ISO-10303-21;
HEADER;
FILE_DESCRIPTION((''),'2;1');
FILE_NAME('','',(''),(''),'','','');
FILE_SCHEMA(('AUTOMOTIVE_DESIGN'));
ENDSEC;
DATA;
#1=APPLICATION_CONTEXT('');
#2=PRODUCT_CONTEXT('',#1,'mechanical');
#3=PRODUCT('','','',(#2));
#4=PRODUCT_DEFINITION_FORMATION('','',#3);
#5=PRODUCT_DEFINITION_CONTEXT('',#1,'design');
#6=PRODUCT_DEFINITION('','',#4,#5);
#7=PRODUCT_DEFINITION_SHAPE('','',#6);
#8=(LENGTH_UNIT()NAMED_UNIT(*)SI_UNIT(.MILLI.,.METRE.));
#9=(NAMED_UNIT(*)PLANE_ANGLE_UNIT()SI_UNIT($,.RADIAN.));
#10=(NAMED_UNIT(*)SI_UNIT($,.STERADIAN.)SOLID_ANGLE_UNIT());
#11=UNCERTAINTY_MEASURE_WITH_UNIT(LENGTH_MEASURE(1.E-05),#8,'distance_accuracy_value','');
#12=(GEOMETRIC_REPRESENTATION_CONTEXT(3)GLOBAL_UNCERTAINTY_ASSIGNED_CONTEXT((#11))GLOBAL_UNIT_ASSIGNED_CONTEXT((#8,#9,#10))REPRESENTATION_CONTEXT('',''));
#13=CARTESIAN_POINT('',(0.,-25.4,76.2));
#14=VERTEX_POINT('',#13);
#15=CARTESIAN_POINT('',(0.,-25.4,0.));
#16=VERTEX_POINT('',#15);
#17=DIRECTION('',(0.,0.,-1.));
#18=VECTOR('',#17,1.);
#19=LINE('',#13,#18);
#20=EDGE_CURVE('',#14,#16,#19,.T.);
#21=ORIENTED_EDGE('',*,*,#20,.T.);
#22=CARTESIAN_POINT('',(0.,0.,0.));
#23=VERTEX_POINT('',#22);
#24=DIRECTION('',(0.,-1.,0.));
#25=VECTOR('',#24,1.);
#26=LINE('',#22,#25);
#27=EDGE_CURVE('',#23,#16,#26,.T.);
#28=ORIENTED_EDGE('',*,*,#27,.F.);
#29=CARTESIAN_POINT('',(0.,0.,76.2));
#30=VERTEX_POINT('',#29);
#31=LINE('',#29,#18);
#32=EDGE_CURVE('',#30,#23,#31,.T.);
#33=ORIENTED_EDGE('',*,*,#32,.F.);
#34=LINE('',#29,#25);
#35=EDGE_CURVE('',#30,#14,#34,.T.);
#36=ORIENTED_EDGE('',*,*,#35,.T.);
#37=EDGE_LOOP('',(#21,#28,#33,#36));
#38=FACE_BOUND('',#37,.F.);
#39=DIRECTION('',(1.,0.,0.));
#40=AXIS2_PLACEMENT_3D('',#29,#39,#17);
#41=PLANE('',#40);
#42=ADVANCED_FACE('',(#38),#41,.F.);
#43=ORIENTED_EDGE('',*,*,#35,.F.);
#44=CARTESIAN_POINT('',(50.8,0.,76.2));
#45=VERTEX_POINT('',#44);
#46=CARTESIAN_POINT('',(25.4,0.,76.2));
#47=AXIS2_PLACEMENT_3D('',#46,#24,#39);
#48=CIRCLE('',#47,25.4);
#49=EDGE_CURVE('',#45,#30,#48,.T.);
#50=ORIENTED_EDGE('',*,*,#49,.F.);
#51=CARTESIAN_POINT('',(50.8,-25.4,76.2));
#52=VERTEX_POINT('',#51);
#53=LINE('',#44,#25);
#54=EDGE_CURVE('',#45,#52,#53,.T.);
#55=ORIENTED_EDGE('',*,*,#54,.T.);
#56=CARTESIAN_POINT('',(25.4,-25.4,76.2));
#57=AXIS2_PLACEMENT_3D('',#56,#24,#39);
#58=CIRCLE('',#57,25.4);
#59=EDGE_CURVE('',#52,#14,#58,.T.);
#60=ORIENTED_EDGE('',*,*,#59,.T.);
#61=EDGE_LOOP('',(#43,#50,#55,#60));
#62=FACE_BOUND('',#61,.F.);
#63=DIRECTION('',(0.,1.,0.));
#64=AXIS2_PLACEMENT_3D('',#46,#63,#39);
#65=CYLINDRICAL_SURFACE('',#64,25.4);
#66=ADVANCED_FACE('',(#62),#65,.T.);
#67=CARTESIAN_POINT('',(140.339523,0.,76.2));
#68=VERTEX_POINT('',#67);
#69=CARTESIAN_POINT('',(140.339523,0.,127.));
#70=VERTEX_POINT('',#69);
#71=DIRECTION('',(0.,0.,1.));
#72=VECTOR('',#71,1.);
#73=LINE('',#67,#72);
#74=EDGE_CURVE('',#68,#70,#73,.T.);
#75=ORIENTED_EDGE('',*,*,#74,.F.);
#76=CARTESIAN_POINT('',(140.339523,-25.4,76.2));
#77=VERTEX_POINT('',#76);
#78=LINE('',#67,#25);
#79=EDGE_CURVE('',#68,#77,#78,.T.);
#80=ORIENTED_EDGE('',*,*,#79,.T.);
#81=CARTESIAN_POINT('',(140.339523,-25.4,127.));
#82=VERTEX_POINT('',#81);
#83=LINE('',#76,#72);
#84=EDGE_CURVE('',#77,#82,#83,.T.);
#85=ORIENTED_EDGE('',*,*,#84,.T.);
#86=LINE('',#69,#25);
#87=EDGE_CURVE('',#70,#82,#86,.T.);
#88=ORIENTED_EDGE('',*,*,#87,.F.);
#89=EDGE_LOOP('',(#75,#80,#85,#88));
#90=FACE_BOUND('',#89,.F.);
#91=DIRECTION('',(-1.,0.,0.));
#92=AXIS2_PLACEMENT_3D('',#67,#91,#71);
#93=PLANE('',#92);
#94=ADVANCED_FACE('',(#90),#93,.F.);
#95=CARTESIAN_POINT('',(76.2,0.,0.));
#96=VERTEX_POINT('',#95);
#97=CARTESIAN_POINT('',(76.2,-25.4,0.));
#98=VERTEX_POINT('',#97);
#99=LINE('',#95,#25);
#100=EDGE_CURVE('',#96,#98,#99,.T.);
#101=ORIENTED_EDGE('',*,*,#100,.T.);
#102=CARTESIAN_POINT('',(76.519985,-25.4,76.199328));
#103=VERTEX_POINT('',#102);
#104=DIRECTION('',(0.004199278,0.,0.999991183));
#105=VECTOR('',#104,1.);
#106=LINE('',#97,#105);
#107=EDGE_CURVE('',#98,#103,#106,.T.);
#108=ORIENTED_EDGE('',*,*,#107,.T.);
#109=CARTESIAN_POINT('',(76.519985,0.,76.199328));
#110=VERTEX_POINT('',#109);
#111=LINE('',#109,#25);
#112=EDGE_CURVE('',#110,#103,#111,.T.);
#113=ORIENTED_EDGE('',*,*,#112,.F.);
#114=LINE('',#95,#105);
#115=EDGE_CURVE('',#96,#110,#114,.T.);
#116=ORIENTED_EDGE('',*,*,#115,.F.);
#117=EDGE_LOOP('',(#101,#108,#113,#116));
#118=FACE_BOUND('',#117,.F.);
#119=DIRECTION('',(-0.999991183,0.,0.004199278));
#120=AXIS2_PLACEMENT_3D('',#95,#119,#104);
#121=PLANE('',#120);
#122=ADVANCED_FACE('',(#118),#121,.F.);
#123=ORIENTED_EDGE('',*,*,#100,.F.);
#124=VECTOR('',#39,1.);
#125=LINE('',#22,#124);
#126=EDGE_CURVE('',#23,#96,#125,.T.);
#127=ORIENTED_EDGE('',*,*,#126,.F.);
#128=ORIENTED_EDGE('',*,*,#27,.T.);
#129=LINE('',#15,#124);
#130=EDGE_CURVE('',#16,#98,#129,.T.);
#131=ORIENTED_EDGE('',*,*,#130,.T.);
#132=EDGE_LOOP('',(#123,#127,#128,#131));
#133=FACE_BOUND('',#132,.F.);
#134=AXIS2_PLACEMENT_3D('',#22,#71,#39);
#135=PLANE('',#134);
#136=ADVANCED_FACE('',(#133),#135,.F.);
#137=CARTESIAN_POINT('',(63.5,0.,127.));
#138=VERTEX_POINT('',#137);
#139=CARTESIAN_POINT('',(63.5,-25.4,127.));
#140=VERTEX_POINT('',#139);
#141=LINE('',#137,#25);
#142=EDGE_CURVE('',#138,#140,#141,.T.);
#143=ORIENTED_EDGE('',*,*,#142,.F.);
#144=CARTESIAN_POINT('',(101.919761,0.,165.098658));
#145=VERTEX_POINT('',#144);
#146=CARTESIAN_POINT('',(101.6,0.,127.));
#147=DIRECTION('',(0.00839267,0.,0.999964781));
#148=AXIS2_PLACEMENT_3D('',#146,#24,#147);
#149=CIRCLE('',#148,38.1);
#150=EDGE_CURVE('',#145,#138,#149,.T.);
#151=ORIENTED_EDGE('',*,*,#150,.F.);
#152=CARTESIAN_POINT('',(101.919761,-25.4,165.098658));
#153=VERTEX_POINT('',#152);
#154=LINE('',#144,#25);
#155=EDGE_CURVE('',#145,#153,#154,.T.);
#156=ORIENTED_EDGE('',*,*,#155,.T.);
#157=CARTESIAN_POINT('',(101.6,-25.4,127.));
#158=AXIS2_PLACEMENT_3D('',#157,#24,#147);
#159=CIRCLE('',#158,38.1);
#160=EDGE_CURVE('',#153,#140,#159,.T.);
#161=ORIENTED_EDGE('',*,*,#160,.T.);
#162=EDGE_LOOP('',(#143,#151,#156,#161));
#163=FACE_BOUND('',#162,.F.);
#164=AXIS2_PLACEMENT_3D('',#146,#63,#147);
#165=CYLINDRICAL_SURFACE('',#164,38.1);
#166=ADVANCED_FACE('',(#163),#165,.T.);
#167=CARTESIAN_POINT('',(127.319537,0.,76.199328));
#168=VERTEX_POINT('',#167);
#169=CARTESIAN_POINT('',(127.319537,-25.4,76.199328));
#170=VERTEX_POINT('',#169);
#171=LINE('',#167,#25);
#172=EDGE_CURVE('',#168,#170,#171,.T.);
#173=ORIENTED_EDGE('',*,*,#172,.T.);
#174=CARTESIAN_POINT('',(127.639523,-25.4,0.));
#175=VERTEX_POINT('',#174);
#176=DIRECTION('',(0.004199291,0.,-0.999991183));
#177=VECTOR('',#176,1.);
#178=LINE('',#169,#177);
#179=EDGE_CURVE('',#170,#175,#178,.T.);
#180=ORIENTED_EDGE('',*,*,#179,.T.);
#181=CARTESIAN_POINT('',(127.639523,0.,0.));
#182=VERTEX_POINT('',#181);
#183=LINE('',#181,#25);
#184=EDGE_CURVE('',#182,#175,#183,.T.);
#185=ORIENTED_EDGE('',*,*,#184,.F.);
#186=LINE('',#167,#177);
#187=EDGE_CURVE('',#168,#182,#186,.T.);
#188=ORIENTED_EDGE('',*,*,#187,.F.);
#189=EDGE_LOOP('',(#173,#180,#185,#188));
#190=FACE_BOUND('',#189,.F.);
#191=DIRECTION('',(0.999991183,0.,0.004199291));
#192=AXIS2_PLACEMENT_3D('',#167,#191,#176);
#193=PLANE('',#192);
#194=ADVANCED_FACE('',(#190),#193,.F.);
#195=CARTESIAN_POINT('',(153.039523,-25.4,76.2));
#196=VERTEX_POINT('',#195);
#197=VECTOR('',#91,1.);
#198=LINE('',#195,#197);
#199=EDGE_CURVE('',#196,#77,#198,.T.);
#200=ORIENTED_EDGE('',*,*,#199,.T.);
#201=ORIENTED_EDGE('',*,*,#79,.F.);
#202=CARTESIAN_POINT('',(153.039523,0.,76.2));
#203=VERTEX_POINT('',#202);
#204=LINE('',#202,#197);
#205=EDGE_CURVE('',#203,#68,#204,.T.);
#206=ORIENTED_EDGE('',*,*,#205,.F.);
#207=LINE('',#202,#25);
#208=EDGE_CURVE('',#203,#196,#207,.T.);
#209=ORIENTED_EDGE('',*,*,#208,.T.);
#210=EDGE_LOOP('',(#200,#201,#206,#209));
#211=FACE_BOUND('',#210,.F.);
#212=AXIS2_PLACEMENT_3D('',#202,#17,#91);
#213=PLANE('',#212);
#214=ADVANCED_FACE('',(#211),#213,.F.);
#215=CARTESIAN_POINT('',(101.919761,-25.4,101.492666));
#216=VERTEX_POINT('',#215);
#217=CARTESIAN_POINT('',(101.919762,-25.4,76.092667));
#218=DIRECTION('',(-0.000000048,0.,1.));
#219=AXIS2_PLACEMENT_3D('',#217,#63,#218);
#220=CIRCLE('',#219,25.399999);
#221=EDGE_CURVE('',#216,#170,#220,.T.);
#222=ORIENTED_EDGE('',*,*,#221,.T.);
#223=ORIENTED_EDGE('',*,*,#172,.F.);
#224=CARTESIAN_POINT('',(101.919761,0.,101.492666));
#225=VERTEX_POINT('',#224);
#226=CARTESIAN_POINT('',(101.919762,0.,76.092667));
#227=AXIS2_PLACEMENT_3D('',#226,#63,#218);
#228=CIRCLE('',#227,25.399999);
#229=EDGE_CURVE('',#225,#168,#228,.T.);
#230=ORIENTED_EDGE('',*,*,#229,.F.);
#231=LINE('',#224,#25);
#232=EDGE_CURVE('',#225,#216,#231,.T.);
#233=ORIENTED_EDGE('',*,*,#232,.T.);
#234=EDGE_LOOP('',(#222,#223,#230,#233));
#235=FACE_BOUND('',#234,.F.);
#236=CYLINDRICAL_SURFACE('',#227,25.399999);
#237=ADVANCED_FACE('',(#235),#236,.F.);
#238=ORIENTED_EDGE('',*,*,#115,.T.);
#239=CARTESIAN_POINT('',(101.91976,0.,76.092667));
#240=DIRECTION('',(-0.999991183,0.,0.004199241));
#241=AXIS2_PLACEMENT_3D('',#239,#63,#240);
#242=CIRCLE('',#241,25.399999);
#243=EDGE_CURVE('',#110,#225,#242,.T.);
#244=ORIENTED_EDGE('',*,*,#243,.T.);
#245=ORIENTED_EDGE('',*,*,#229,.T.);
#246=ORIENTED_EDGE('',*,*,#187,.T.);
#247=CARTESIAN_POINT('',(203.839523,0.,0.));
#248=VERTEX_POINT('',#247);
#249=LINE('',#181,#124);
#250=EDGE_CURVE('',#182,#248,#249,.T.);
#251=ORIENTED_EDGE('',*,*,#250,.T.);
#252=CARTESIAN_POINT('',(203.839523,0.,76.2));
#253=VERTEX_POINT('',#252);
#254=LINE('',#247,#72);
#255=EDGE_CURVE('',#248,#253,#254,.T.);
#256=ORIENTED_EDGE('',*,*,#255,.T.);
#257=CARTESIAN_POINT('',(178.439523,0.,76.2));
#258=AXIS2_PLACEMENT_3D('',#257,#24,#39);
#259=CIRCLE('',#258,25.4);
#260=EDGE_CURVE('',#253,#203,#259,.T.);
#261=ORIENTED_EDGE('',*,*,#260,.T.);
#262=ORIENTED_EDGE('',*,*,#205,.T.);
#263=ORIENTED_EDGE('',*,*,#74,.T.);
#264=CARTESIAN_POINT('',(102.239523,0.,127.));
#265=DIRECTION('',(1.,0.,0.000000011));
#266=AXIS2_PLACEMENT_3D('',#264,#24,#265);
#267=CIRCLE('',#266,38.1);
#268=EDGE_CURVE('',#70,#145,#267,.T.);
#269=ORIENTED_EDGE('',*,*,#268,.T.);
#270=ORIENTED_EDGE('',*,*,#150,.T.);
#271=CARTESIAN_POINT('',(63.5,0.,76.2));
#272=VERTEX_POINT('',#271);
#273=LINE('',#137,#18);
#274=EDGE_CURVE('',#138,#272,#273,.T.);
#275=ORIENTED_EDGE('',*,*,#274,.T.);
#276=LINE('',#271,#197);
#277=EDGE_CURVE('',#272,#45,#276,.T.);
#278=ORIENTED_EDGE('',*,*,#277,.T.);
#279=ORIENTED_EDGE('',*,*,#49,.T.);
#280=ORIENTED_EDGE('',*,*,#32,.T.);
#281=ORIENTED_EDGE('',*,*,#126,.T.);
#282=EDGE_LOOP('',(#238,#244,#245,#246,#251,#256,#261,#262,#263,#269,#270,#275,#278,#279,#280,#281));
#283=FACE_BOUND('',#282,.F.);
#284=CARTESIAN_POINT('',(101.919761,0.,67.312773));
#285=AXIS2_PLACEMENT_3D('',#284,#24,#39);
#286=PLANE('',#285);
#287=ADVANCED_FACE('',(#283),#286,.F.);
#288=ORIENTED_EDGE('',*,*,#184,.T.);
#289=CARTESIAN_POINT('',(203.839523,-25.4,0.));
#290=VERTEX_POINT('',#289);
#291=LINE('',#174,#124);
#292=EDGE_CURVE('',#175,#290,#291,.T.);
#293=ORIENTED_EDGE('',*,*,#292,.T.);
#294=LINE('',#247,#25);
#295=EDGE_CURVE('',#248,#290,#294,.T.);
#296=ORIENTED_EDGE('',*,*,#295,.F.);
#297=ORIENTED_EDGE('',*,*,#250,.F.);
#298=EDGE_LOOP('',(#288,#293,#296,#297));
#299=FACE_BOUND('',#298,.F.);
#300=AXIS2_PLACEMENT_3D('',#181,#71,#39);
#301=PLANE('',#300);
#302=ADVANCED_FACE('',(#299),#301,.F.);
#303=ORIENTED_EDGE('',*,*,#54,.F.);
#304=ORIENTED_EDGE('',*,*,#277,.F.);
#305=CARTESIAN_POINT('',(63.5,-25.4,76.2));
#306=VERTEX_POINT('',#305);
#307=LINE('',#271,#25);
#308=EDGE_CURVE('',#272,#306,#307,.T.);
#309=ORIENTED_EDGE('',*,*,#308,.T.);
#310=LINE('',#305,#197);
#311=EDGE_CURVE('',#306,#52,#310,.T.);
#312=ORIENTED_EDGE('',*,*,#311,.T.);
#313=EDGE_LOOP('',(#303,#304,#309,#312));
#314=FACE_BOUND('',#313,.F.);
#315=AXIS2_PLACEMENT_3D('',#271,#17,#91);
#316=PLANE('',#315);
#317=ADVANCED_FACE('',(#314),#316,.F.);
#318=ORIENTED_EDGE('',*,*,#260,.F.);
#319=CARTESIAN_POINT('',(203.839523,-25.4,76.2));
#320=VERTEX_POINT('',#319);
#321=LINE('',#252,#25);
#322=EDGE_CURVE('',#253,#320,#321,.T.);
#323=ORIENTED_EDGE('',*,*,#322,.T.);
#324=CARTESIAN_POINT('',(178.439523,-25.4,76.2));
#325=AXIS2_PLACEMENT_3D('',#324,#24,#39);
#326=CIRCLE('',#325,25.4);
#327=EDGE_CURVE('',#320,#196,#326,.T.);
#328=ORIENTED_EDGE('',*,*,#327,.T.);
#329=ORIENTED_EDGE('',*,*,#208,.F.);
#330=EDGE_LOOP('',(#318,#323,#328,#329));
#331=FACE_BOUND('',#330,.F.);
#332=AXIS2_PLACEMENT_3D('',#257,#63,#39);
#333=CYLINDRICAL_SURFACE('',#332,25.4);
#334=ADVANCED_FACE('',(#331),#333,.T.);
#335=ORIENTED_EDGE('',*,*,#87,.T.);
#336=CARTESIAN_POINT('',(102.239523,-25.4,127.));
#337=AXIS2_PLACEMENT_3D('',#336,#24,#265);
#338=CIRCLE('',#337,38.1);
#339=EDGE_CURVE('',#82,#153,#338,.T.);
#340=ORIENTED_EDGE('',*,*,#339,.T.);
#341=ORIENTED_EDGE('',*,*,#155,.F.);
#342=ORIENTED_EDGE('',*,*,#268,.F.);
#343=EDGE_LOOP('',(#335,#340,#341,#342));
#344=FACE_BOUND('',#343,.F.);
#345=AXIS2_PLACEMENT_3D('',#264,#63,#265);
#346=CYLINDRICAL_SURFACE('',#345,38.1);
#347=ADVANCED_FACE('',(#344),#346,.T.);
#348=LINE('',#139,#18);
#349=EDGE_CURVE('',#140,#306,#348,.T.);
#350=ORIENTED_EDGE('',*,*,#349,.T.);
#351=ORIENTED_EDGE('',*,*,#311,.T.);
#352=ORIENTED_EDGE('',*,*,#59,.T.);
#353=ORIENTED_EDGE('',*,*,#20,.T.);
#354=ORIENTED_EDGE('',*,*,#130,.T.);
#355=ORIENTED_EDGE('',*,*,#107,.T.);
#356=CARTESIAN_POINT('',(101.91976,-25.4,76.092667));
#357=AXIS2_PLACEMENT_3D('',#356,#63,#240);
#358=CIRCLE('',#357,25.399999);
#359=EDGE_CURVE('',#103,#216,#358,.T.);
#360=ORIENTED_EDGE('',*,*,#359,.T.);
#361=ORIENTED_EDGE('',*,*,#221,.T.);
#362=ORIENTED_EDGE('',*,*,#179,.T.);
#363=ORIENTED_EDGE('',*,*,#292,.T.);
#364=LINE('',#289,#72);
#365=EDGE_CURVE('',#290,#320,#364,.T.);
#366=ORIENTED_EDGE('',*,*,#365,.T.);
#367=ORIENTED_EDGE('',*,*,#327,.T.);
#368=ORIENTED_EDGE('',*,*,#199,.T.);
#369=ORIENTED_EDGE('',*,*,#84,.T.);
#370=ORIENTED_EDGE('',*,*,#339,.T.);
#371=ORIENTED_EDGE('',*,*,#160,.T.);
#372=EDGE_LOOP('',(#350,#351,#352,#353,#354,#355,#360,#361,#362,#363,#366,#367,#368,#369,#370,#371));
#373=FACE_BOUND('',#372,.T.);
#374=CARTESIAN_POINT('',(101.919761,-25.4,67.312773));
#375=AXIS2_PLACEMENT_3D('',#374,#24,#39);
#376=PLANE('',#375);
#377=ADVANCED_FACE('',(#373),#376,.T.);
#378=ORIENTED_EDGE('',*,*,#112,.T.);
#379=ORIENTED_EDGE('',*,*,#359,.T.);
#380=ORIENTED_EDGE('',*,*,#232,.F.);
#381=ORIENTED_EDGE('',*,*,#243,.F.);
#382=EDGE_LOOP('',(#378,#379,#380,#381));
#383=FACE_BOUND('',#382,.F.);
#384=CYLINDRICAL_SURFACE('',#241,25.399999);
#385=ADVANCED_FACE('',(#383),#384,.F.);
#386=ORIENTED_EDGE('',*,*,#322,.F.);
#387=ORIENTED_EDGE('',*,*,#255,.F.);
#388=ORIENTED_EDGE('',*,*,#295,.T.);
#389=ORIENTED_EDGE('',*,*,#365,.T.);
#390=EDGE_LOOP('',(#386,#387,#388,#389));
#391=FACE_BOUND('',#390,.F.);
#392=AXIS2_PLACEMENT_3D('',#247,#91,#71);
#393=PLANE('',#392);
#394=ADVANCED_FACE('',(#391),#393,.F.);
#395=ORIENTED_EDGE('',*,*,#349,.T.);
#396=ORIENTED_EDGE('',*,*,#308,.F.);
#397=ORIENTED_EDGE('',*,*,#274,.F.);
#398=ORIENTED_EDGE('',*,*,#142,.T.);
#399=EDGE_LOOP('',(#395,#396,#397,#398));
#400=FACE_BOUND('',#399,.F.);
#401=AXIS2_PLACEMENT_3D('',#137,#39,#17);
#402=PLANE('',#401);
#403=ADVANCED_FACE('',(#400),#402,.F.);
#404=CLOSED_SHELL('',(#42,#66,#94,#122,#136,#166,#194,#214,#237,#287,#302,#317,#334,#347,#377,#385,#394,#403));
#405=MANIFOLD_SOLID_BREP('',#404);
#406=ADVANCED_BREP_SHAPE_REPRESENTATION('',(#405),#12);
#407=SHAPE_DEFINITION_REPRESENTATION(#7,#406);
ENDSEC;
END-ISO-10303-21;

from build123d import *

# Parameters (mm, degrees)
F1_DEPTH = 25.4


with BuildPart() as f1:
    # F0 (on Front) → F1 (new body)
    with BuildSketch(Plane.XZ):
        with BuildLine():
            Line((0, 76.2), (0, 0))
            Line((0, 0), (76.2, 0))
            Line((76.2, 0), (76.519985, 76.199328))
            ThreePointArc((76.519985, 76.199328), (83.996999, 94.09085), (101.919761, 101.492666))
            ThreePointArc((101.919761, 101.492666), (119.842523, 94.09085), (127.319537, 76.199328))
            Line((127.319537, 76.199328), (127.639523, 0))
            Line((127.639523, 0), (203.839523, 0))
            Line((203.839523, 0), (203.839523, 76.2))
            ThreePointArc((203.839523, 76.2), (178.439523, 101.6), (153.039523, 76.2))
            Line((153.039523, 76.2), (140.339523, 76.2))
            Line((140.339523, 76.2), (140.339523, 127))
            ThreePointArc((140.339523, 127), (129.067, 154.053585), (101.919761, 165.098658))
            ThreePointArc((101.919761, 165.098658), (74.772523, 154.053585), (63.5, 127))
            Line((63.5, 127), (63.5, 76.2))
            Line((63.5, 76.2), (50.8, 76.2))
            ThreePointArc((50.8, 76.2), (25.4, 101.6), (0, 76.2))
        make_face()
    extrude(amount=F1_DEPTH)


solid = f1.part
